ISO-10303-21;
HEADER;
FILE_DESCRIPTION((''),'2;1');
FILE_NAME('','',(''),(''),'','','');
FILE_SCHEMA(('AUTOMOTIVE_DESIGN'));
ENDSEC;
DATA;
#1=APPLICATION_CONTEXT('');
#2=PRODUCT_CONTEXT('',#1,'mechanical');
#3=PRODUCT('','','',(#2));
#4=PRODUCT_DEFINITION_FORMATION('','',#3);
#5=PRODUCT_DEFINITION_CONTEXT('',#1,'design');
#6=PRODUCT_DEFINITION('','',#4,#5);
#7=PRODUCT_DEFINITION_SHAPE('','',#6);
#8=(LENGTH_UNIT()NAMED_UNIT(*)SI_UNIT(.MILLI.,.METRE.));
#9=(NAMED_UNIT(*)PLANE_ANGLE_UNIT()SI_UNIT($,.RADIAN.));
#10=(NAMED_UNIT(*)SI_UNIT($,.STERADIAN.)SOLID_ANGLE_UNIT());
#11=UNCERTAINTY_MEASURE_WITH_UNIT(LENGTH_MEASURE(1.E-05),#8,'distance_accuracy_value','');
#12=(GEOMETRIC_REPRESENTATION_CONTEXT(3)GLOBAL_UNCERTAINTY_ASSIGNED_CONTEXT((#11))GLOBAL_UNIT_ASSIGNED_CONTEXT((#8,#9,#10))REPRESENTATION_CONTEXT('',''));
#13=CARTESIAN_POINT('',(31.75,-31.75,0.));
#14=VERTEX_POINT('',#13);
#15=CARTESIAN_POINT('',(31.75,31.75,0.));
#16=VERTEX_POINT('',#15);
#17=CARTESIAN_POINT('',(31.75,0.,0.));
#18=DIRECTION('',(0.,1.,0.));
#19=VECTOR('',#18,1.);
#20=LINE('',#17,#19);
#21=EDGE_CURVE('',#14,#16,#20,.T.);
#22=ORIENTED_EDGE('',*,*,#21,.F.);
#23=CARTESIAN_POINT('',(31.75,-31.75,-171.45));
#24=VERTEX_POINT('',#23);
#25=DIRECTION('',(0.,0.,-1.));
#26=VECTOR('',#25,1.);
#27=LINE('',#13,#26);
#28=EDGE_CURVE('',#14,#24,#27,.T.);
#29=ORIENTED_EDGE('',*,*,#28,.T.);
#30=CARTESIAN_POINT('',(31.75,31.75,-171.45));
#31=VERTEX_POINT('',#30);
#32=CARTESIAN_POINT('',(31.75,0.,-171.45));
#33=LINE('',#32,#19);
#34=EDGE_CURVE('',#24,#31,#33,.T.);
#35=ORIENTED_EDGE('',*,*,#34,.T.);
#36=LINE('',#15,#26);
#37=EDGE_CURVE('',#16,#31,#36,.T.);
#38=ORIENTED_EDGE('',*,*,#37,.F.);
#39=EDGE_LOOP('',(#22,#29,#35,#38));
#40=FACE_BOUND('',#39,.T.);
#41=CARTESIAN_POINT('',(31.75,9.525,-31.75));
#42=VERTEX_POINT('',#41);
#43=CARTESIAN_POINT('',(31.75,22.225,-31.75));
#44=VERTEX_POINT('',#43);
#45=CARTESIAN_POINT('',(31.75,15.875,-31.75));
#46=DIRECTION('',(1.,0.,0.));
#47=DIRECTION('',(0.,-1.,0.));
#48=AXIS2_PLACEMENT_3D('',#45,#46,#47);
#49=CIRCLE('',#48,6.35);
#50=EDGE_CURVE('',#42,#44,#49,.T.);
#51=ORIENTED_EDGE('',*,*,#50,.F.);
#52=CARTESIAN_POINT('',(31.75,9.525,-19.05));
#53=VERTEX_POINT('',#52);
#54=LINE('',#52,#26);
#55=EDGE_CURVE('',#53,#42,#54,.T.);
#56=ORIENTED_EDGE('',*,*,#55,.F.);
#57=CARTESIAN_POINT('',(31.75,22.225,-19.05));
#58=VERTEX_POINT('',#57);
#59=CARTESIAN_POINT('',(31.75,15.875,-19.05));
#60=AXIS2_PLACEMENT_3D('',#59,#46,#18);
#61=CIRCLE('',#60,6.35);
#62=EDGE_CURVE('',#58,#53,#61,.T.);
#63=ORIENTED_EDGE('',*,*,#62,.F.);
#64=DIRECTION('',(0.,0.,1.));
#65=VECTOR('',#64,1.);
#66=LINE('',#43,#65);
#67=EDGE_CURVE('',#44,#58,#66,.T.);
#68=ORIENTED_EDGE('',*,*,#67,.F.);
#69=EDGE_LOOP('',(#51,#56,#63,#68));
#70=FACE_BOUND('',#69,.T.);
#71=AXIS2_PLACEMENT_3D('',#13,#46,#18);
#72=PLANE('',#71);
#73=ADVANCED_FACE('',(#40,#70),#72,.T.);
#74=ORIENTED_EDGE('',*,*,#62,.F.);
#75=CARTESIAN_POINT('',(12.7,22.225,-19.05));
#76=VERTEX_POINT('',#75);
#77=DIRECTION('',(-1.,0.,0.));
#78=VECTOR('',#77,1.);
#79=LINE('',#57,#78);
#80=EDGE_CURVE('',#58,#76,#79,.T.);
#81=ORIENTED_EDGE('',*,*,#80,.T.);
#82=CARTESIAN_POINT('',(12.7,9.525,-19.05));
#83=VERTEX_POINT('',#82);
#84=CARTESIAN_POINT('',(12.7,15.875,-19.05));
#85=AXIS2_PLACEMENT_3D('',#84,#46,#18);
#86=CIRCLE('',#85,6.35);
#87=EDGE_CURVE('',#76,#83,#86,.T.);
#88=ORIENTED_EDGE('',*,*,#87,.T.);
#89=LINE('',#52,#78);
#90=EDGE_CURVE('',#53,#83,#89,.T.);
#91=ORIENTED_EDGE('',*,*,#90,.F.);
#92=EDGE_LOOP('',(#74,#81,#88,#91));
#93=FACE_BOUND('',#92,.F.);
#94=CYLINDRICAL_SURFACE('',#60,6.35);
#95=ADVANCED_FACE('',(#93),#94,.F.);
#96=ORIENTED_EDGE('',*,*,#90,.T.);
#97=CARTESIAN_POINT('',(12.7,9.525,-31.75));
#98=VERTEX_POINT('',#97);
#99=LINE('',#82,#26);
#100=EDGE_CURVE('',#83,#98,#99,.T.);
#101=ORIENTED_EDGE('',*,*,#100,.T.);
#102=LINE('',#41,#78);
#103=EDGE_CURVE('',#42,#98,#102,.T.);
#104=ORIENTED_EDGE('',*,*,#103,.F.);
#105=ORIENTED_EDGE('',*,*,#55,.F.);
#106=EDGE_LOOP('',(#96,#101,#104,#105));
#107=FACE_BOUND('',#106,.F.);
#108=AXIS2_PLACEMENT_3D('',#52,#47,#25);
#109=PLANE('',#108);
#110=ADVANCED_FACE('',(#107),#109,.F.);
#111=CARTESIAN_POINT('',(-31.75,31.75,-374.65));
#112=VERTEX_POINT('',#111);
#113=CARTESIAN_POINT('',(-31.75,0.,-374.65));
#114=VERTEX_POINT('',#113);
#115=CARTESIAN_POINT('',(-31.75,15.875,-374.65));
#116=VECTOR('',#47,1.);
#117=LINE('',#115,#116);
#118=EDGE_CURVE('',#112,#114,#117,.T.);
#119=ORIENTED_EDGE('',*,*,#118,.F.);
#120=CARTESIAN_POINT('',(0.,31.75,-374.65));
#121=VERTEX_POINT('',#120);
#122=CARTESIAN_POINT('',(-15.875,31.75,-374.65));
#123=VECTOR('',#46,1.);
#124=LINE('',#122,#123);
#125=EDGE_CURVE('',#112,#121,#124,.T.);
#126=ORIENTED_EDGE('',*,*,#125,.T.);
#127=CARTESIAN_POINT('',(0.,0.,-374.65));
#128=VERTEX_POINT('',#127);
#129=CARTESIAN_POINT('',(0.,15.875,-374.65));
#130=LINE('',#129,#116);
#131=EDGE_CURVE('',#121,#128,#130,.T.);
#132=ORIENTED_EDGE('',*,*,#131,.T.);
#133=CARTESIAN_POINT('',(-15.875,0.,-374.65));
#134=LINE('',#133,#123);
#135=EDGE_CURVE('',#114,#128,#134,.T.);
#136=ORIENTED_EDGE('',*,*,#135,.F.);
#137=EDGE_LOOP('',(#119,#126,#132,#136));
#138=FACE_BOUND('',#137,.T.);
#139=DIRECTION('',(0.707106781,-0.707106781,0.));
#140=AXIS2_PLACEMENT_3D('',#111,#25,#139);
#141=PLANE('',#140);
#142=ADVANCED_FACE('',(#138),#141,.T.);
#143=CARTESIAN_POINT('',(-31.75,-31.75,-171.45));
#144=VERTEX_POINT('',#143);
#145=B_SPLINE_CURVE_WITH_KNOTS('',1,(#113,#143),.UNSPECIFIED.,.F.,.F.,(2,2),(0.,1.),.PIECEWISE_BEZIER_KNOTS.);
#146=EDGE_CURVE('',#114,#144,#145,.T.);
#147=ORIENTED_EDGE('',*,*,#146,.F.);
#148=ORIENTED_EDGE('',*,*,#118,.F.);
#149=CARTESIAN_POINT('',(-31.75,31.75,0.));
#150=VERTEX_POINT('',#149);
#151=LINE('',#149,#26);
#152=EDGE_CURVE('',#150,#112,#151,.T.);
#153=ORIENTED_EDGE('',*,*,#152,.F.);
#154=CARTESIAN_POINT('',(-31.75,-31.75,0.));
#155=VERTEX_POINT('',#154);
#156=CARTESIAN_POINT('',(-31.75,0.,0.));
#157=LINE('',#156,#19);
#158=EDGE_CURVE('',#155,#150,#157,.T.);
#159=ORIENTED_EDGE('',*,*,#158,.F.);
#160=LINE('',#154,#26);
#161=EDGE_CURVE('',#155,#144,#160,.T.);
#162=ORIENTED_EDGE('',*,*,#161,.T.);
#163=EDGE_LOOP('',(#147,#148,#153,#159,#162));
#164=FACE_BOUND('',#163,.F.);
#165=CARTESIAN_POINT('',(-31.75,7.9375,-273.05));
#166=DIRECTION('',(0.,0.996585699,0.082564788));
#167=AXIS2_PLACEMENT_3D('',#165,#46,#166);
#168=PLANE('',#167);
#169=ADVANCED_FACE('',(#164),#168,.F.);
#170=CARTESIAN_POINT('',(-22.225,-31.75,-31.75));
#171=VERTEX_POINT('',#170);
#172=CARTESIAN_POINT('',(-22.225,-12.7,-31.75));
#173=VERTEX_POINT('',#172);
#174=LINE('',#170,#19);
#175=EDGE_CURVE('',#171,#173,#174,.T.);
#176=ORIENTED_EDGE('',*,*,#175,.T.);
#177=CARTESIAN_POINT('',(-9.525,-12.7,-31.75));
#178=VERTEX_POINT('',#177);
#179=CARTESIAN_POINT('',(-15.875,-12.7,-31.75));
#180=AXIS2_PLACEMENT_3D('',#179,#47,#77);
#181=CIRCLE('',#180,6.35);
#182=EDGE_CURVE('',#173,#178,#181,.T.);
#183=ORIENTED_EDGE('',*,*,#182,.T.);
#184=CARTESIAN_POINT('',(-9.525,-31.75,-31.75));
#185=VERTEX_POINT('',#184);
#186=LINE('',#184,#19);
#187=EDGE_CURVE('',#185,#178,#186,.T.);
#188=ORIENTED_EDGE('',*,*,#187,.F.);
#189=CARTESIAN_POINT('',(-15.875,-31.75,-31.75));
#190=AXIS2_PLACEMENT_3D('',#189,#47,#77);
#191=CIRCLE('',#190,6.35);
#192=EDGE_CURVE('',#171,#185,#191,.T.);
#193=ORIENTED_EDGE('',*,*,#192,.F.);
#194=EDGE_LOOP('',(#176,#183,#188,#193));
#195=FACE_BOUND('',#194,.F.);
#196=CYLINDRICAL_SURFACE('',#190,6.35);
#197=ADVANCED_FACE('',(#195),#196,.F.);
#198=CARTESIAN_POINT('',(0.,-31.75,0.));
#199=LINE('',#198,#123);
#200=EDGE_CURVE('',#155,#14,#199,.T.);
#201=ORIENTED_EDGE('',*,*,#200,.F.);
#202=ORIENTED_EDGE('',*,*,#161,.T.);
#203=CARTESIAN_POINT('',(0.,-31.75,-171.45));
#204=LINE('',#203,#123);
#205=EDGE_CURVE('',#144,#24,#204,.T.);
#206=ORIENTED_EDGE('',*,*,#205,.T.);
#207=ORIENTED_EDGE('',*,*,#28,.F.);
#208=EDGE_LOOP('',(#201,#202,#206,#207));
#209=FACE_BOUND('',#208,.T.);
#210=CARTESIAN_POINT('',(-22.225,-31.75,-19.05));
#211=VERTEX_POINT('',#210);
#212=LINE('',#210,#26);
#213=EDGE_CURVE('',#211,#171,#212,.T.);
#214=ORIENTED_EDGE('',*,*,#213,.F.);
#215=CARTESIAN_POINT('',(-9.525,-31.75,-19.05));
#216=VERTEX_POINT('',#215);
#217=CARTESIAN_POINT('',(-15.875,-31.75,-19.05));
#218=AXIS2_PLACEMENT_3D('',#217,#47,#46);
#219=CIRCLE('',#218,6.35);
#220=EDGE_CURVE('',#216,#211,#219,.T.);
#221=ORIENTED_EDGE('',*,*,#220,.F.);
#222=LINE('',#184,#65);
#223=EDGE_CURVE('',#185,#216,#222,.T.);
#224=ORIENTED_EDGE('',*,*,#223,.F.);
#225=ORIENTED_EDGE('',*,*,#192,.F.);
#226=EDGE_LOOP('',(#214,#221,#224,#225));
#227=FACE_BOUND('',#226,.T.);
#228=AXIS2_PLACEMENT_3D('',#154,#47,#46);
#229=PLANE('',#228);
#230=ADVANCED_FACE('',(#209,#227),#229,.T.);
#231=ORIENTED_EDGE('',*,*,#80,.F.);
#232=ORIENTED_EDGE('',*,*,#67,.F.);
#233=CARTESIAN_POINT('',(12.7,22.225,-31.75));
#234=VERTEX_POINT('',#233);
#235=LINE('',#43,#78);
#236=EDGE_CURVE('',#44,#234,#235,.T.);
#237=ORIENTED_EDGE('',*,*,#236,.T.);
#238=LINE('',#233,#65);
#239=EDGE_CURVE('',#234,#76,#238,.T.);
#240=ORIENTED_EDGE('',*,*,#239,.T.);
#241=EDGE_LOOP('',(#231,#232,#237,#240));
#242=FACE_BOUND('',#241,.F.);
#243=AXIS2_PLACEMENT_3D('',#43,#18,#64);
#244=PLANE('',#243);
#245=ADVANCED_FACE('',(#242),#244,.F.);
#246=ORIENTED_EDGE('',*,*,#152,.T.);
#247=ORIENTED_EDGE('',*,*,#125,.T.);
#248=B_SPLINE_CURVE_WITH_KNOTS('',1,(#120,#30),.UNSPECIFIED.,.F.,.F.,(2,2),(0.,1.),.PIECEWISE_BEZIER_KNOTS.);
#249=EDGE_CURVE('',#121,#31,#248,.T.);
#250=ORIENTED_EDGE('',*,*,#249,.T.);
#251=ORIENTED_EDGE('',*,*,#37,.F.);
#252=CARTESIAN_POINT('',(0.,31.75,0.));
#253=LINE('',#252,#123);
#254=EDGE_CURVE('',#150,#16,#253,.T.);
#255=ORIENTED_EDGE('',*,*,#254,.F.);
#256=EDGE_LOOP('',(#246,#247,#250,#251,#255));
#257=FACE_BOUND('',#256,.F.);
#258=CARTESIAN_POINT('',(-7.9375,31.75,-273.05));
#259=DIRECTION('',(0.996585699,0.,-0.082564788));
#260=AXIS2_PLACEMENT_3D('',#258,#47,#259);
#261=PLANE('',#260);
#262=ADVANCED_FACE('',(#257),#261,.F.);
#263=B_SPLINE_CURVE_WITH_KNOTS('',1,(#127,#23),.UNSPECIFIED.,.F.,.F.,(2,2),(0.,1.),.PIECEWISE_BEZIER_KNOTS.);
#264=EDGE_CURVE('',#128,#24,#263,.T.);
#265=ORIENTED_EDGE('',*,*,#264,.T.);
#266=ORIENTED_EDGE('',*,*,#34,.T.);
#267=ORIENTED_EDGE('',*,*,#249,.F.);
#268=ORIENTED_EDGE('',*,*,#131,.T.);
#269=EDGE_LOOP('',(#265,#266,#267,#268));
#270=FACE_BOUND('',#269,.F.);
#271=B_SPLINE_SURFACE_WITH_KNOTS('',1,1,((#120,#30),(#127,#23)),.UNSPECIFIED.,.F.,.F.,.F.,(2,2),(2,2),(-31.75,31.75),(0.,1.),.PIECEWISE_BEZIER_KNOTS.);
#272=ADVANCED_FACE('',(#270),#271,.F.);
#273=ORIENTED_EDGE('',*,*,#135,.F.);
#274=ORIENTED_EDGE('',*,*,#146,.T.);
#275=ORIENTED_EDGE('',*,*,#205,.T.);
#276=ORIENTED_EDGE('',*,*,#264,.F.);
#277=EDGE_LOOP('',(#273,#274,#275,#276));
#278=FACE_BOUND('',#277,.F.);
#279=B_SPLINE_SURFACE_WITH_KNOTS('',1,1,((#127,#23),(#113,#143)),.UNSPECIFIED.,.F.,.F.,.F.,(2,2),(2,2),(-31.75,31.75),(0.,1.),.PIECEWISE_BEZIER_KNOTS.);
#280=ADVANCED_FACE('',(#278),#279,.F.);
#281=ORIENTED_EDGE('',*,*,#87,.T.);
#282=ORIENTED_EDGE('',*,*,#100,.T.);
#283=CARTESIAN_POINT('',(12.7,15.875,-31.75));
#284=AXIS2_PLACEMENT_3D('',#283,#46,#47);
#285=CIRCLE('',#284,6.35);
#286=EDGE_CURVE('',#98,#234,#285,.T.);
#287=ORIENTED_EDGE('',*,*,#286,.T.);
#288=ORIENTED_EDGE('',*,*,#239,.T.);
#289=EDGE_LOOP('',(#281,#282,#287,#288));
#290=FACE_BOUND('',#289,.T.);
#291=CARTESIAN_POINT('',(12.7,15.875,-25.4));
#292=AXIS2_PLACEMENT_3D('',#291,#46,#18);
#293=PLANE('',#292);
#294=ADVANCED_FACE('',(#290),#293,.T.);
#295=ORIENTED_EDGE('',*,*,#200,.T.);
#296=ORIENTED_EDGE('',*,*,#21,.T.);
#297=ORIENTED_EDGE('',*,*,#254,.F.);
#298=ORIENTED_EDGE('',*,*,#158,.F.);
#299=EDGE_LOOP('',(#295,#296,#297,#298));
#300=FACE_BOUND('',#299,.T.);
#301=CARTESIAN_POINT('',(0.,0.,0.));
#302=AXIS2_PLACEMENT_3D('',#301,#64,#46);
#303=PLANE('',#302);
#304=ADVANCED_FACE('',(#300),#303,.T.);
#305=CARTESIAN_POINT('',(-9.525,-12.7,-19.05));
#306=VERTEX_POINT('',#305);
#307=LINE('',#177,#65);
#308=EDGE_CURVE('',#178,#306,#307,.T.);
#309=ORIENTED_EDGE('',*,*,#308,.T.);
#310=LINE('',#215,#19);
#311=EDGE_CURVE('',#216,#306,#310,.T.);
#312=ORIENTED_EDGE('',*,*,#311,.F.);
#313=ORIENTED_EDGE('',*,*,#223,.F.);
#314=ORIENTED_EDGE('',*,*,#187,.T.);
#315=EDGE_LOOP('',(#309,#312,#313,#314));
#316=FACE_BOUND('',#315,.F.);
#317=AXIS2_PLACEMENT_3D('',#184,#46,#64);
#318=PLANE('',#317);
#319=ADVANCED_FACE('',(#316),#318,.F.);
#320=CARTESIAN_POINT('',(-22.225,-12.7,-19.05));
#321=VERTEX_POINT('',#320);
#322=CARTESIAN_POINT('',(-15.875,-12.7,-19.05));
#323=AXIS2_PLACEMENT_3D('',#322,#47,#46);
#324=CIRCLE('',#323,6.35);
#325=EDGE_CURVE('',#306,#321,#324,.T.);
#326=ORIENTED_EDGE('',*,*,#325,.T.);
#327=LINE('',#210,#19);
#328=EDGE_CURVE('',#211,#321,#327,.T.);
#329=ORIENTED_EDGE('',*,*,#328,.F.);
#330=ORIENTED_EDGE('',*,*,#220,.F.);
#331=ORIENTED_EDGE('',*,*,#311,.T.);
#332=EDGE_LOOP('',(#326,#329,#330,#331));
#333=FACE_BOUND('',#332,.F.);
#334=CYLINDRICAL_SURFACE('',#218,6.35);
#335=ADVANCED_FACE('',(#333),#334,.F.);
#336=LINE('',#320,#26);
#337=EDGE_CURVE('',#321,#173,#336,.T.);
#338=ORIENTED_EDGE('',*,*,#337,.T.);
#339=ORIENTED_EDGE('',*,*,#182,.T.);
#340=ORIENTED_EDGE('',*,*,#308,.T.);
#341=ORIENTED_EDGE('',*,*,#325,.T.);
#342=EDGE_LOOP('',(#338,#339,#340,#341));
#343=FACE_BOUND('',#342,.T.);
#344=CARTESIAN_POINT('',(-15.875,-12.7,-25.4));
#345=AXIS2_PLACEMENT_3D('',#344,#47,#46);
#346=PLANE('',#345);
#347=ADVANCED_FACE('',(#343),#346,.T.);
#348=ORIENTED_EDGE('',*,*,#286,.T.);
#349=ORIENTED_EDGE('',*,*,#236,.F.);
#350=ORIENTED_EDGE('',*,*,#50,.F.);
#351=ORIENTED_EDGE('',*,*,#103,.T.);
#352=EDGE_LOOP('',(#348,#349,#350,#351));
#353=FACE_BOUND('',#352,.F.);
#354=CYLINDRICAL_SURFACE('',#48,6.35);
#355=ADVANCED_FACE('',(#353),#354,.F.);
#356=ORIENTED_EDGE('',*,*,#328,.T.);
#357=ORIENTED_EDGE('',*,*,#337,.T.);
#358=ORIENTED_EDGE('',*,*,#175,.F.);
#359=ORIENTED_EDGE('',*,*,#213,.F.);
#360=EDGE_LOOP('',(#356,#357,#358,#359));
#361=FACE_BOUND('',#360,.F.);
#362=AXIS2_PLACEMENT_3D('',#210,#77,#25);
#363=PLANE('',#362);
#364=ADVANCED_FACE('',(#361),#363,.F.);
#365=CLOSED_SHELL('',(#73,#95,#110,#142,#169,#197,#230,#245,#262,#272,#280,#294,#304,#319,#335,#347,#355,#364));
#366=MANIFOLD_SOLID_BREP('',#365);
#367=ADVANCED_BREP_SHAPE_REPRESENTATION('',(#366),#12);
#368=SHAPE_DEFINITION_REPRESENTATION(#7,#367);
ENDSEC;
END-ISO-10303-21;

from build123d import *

# Parameters (mm, degrees)
F0_W      = 63.5
F0_H      = 63.5
F1_DEPTH  = 171.45
F3_W      = 31.75
F3_H      = 31.75
F1_FACE_W = 63.5
F1_FACE_H = 63.5
F6_DEPTH  = 19.05
F8_DEPTH  = 19.05


with BuildPart() as f1:
    # F0 (on Top) → F1 (new body)
    with BuildSketch(Plane.XY):
        Rectangle(F0_W, F0_H)
    extrude(amount=-F1_DEPTH)

    # F3 (on offset) → F4 section 0
    with BuildSketch(Plane(origin=(0, 0, -374.65), x_dir=(1, 0, 0), z_dir=(0, 0, -1))):
        with Locations((-15.875, -15.875)):
            Rectangle(F3_W, F3_H)
    # F1_face (on face) → F4 section 1
    with BuildSketch(Plane(origin=(0, 0, -171.45), x_dir=(1, 0, 0), z_dir=(0, 0, -1))):
        Rectangle(F1_FACE_W, F1_FACE_H)
    loft()

    # F5 (on face) → F6 (cut)
    with BuildSketch(Plane.XZ.offset(31.75)):
        with BuildLine():
            Line((-22.225, -19.05), (-22.225, -31.75))
            ThreePointArc((-22.225, -31.75), (-15.875, -38.1), (-9.525, -31.75))
            Line((-9.525, -31.75), (-9.525, -19.05))
            ThreePointArc((-9.525, -19.05), (-15.875, -12.7), (-22.225, -19.05))
        make_face()
    extrude(amount=-F6_DEPTH, mode=Mode.SUBTRACT)

    # F7 (on face) → F8 (cut)
    with BuildSketch(Plane.YZ.offset(31.75)):
        with BuildLine():
            Line((9.525, -19.05), (9.525, -31.75))
            ThreePointArc((9.525, -31.75), (15.875, -38.1), (22.225, -31.75))
            Line((22.225, -31.75), (22.225, -19.05))
            ThreePointArc((22.225, -19.05), (15.875, -12.7), (9.525, -19.05))
        make_face()
    extrude(amount=-F8_DEPTH, mode=Mode.SUBTRACT)


solid = f1.part
